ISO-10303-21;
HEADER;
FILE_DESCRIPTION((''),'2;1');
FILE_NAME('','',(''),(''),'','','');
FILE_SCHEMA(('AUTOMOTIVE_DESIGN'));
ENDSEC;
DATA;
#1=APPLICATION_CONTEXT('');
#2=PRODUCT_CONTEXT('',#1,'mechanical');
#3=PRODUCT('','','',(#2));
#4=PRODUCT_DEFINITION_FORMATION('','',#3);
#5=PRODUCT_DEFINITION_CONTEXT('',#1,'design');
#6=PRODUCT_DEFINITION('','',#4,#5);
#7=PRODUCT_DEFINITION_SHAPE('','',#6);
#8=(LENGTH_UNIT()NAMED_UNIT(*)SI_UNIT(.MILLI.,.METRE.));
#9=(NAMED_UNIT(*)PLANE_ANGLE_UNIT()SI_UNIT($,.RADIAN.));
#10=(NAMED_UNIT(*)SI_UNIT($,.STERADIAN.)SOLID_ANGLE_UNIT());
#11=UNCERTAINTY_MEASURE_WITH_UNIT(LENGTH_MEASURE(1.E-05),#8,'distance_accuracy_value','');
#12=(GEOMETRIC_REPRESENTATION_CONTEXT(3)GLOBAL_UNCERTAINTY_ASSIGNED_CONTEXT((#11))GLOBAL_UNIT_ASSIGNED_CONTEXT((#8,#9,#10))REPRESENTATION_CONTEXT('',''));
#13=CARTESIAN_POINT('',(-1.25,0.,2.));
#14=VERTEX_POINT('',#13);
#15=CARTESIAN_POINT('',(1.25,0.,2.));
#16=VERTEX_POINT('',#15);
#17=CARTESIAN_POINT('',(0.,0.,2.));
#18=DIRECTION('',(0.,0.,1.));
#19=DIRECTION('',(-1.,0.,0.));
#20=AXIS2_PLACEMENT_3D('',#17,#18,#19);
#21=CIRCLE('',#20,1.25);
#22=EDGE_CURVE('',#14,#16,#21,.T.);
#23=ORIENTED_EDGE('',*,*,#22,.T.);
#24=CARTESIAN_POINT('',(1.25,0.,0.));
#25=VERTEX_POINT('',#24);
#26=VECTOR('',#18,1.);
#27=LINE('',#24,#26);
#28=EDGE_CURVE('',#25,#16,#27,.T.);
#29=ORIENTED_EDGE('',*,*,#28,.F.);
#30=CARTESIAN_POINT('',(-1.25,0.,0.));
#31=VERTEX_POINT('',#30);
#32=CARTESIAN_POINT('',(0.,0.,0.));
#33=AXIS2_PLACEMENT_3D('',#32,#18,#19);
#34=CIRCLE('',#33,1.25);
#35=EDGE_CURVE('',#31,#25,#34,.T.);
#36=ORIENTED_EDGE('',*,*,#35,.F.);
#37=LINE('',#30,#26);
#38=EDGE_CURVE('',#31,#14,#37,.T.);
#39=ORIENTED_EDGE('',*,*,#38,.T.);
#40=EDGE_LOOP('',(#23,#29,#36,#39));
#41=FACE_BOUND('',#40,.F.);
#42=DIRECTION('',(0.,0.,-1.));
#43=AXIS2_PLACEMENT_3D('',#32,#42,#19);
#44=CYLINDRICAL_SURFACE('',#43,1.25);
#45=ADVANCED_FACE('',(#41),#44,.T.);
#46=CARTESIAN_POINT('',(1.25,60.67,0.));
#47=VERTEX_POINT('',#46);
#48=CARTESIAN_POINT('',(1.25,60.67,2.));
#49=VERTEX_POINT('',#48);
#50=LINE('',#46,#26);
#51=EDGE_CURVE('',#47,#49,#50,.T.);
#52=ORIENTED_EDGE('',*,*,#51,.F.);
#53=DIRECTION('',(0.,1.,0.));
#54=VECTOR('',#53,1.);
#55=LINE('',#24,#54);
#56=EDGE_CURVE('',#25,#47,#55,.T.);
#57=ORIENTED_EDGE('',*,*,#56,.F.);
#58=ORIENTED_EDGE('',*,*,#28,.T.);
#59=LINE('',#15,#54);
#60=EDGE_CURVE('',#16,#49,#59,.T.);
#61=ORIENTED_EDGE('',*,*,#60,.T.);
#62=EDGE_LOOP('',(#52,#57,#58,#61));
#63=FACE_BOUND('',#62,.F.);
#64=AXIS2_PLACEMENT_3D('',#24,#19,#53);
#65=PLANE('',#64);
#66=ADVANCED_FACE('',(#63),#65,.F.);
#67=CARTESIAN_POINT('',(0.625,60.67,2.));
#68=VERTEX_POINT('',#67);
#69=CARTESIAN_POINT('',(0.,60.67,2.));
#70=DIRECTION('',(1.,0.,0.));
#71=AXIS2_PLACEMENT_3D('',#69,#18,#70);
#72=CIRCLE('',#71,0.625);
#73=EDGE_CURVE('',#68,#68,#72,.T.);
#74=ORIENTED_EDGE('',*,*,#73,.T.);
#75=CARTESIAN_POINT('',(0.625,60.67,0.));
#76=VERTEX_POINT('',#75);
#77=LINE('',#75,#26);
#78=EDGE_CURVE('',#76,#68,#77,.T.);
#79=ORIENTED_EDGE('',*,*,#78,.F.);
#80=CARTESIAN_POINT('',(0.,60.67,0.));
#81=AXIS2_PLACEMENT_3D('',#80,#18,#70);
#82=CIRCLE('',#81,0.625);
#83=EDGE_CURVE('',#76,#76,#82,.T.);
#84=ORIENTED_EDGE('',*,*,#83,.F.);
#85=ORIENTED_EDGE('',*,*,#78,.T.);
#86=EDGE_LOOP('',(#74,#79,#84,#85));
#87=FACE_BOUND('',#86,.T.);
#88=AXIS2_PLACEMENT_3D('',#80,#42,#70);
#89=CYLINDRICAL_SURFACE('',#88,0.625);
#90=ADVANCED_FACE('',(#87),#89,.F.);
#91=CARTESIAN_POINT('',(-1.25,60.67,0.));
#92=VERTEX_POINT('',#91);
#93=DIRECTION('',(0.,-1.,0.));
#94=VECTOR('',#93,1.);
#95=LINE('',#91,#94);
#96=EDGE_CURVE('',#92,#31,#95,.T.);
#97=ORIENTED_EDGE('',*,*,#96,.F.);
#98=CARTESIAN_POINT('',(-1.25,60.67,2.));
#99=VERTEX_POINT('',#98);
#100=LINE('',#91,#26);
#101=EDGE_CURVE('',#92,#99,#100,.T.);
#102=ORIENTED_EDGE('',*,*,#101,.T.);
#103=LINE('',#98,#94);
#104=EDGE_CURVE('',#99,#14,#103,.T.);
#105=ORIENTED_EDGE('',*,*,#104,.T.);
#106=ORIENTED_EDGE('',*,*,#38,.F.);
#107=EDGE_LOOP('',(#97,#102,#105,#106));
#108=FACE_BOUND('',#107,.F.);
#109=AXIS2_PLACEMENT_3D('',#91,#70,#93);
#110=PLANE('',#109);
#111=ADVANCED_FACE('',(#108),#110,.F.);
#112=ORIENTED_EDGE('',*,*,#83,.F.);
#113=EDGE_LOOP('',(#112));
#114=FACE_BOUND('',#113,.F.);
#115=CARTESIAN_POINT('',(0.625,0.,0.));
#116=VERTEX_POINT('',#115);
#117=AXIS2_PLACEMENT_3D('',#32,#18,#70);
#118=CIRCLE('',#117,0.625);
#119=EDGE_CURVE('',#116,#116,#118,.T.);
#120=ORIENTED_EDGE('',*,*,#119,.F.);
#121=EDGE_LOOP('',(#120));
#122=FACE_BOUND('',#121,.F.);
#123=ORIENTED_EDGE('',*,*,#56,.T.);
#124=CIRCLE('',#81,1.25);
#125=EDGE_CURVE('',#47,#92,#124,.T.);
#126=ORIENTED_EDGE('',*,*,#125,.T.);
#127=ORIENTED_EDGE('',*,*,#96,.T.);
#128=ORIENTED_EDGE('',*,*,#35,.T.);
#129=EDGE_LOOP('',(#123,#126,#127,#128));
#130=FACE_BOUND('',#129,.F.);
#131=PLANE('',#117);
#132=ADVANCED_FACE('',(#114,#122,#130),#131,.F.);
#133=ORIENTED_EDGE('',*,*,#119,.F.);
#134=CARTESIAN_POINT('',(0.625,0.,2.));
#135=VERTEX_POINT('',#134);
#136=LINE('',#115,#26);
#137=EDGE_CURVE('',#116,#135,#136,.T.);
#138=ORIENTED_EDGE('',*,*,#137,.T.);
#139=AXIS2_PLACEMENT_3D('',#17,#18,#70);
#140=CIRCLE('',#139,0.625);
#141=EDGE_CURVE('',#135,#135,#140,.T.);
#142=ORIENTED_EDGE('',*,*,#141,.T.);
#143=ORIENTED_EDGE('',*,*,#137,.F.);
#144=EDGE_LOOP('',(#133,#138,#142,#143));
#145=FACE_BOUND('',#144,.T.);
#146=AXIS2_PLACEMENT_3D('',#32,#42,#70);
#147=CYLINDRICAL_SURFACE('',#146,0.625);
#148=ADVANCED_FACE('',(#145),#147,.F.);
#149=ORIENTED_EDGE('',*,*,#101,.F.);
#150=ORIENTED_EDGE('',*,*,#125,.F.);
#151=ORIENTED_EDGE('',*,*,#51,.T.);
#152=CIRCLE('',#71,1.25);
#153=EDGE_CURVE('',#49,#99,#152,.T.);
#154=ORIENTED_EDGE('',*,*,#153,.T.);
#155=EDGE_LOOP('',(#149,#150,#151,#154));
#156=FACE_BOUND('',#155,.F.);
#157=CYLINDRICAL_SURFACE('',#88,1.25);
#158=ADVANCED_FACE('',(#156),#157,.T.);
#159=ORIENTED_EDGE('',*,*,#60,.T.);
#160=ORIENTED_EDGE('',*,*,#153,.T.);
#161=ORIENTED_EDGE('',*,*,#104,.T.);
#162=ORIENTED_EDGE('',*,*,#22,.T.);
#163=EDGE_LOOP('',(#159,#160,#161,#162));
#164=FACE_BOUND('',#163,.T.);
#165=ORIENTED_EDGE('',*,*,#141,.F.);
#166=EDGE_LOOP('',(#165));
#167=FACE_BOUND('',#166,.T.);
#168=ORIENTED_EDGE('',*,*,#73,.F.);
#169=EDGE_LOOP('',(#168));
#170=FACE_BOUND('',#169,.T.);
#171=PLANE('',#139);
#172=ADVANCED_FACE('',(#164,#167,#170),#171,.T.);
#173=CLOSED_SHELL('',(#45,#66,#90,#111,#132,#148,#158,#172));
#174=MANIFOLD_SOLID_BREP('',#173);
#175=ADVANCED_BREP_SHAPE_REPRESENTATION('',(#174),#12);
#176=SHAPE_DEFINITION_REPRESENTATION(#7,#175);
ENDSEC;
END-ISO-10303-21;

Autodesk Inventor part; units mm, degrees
ref_plane "YZ Plane" through (0, 0, 0) normal (1, 0, 0) x (0, 1, 0)
ref_plane "XZ Plane" through (0, 0, 0) normal (0, 1, 0) x (-1, 0, 0)
ref_plane "XY Plane" through (0, 0, 0) normal (0, 0, 1) x (1, 0, 0)
sketch "草圖1" plane through (0, 0, 0) normal (0, 0, 1) x (1, 0, 0)
  line L0 (0, 0) -> (0, 60.67) construction
  line L1 (1.25, 0) -> (1.25, 60.67)
  line L2 (-1.25, 60.67) -> (-1.25, 0)
  arc A0 (-1.25, 0) -> (1.25, 0) centre (0, 0) ccw
  arc A1 (1.25, 60.67) -> (-1.25, 60.67) centre (0, 60.67) ccw
  circle A2 centre (0, 0) radius 0.625
  circle A3 centre (0, 60.67) radius 0.625
  point P0 (0, 30.335)
  dimension "d0" = 60.67
  dimension "d1" = 2.5
  dimension "d2" = 1.25
  dimension "d3" = 1.25
extrude "擠出1" add sketch "草圖1" along normal blind 2
properties part number "4"
